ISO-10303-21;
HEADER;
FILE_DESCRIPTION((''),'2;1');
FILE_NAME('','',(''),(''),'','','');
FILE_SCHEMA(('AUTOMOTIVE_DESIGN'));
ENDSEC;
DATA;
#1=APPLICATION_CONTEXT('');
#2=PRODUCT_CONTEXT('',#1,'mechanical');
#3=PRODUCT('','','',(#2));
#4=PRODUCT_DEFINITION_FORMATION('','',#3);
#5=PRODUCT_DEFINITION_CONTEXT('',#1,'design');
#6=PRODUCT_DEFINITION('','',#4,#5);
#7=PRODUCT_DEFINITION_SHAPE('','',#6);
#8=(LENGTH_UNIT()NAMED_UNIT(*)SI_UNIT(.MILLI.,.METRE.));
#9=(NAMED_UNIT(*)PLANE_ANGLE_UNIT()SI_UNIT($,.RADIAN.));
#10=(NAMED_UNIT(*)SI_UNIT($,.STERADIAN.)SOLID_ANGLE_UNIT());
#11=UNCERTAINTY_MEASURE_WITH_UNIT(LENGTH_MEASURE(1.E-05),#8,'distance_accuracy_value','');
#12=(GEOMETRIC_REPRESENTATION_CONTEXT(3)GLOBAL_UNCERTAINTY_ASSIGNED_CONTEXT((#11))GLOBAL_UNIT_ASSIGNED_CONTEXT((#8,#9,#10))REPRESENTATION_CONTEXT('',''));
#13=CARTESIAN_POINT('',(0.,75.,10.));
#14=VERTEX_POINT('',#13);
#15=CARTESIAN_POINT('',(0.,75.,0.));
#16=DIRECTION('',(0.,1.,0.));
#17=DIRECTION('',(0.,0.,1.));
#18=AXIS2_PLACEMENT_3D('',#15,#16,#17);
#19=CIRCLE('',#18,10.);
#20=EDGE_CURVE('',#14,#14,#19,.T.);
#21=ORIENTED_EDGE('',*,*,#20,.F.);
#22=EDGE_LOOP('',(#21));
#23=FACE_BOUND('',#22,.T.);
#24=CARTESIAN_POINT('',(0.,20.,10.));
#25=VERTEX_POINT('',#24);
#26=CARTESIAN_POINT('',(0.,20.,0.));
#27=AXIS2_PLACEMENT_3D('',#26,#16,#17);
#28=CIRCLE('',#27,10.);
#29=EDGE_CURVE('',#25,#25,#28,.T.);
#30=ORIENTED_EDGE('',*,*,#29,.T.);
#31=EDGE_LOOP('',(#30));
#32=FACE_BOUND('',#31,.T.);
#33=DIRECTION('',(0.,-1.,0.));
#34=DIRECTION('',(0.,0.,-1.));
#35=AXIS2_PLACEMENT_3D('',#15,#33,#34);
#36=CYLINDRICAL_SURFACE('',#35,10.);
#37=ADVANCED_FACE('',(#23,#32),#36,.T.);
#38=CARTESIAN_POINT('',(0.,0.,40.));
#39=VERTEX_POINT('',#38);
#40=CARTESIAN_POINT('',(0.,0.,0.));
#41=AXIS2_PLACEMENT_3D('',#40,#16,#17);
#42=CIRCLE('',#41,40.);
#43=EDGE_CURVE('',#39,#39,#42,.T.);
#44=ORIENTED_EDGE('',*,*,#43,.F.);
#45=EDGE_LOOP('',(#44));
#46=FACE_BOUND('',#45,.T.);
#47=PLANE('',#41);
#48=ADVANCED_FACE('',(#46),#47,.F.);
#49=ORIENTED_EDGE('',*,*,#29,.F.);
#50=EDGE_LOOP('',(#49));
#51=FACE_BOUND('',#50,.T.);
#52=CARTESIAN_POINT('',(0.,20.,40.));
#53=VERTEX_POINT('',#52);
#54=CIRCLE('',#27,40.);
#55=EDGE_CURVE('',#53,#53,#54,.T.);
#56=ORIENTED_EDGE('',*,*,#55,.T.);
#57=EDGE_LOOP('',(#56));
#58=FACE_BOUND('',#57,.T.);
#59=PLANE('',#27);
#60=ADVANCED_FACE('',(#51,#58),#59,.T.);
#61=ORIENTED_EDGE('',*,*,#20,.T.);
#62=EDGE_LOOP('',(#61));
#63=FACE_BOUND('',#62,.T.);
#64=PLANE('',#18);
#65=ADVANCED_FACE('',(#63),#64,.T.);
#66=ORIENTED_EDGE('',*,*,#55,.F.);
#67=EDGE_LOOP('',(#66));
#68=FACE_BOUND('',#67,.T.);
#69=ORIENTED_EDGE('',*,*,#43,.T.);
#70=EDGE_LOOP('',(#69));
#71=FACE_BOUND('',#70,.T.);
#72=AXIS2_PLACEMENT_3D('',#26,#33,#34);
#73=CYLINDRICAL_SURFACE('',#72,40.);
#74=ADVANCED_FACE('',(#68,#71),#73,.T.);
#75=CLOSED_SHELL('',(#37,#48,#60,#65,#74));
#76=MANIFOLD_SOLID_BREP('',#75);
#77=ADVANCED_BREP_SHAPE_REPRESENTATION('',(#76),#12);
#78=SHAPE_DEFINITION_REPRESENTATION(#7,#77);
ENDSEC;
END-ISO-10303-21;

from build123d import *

# Parameters (mm, degrees)
SKETCH_1_R      = 40
EXTRUDE_1_DEPTH = 20
SKETCH_2_R      = 10
EXTRUDE_2_DEPTH = 55


with BuildPart() as part:
    # 草图1 → 凸台-拉伸1 (new body)
    with BuildSketch(Plane(origin=(0, 0, 0), x_dir=(1, 0, 0), z_dir=(0, 1, 0))):
        with Locations(Location((0, 0, 0), (0, 0, 270))):
            Circle(SKETCH_1_R)
    extrude(amount=EXTRUDE_1_DEPTH)

    # 草图2 → 凸台-拉伸2 (add)
    with BuildSketch(Plane(origin=(0, 20, 0), x_dir=(1, 0, 0), z_dir=(0, 1, 0))):
        with Locations(Location((0, 0, 0), (0, 0, 270))):
            Circle(SKETCH_2_R)
    extrude(amount=EXTRUDE_2_DEPTH)


solid = part.part
